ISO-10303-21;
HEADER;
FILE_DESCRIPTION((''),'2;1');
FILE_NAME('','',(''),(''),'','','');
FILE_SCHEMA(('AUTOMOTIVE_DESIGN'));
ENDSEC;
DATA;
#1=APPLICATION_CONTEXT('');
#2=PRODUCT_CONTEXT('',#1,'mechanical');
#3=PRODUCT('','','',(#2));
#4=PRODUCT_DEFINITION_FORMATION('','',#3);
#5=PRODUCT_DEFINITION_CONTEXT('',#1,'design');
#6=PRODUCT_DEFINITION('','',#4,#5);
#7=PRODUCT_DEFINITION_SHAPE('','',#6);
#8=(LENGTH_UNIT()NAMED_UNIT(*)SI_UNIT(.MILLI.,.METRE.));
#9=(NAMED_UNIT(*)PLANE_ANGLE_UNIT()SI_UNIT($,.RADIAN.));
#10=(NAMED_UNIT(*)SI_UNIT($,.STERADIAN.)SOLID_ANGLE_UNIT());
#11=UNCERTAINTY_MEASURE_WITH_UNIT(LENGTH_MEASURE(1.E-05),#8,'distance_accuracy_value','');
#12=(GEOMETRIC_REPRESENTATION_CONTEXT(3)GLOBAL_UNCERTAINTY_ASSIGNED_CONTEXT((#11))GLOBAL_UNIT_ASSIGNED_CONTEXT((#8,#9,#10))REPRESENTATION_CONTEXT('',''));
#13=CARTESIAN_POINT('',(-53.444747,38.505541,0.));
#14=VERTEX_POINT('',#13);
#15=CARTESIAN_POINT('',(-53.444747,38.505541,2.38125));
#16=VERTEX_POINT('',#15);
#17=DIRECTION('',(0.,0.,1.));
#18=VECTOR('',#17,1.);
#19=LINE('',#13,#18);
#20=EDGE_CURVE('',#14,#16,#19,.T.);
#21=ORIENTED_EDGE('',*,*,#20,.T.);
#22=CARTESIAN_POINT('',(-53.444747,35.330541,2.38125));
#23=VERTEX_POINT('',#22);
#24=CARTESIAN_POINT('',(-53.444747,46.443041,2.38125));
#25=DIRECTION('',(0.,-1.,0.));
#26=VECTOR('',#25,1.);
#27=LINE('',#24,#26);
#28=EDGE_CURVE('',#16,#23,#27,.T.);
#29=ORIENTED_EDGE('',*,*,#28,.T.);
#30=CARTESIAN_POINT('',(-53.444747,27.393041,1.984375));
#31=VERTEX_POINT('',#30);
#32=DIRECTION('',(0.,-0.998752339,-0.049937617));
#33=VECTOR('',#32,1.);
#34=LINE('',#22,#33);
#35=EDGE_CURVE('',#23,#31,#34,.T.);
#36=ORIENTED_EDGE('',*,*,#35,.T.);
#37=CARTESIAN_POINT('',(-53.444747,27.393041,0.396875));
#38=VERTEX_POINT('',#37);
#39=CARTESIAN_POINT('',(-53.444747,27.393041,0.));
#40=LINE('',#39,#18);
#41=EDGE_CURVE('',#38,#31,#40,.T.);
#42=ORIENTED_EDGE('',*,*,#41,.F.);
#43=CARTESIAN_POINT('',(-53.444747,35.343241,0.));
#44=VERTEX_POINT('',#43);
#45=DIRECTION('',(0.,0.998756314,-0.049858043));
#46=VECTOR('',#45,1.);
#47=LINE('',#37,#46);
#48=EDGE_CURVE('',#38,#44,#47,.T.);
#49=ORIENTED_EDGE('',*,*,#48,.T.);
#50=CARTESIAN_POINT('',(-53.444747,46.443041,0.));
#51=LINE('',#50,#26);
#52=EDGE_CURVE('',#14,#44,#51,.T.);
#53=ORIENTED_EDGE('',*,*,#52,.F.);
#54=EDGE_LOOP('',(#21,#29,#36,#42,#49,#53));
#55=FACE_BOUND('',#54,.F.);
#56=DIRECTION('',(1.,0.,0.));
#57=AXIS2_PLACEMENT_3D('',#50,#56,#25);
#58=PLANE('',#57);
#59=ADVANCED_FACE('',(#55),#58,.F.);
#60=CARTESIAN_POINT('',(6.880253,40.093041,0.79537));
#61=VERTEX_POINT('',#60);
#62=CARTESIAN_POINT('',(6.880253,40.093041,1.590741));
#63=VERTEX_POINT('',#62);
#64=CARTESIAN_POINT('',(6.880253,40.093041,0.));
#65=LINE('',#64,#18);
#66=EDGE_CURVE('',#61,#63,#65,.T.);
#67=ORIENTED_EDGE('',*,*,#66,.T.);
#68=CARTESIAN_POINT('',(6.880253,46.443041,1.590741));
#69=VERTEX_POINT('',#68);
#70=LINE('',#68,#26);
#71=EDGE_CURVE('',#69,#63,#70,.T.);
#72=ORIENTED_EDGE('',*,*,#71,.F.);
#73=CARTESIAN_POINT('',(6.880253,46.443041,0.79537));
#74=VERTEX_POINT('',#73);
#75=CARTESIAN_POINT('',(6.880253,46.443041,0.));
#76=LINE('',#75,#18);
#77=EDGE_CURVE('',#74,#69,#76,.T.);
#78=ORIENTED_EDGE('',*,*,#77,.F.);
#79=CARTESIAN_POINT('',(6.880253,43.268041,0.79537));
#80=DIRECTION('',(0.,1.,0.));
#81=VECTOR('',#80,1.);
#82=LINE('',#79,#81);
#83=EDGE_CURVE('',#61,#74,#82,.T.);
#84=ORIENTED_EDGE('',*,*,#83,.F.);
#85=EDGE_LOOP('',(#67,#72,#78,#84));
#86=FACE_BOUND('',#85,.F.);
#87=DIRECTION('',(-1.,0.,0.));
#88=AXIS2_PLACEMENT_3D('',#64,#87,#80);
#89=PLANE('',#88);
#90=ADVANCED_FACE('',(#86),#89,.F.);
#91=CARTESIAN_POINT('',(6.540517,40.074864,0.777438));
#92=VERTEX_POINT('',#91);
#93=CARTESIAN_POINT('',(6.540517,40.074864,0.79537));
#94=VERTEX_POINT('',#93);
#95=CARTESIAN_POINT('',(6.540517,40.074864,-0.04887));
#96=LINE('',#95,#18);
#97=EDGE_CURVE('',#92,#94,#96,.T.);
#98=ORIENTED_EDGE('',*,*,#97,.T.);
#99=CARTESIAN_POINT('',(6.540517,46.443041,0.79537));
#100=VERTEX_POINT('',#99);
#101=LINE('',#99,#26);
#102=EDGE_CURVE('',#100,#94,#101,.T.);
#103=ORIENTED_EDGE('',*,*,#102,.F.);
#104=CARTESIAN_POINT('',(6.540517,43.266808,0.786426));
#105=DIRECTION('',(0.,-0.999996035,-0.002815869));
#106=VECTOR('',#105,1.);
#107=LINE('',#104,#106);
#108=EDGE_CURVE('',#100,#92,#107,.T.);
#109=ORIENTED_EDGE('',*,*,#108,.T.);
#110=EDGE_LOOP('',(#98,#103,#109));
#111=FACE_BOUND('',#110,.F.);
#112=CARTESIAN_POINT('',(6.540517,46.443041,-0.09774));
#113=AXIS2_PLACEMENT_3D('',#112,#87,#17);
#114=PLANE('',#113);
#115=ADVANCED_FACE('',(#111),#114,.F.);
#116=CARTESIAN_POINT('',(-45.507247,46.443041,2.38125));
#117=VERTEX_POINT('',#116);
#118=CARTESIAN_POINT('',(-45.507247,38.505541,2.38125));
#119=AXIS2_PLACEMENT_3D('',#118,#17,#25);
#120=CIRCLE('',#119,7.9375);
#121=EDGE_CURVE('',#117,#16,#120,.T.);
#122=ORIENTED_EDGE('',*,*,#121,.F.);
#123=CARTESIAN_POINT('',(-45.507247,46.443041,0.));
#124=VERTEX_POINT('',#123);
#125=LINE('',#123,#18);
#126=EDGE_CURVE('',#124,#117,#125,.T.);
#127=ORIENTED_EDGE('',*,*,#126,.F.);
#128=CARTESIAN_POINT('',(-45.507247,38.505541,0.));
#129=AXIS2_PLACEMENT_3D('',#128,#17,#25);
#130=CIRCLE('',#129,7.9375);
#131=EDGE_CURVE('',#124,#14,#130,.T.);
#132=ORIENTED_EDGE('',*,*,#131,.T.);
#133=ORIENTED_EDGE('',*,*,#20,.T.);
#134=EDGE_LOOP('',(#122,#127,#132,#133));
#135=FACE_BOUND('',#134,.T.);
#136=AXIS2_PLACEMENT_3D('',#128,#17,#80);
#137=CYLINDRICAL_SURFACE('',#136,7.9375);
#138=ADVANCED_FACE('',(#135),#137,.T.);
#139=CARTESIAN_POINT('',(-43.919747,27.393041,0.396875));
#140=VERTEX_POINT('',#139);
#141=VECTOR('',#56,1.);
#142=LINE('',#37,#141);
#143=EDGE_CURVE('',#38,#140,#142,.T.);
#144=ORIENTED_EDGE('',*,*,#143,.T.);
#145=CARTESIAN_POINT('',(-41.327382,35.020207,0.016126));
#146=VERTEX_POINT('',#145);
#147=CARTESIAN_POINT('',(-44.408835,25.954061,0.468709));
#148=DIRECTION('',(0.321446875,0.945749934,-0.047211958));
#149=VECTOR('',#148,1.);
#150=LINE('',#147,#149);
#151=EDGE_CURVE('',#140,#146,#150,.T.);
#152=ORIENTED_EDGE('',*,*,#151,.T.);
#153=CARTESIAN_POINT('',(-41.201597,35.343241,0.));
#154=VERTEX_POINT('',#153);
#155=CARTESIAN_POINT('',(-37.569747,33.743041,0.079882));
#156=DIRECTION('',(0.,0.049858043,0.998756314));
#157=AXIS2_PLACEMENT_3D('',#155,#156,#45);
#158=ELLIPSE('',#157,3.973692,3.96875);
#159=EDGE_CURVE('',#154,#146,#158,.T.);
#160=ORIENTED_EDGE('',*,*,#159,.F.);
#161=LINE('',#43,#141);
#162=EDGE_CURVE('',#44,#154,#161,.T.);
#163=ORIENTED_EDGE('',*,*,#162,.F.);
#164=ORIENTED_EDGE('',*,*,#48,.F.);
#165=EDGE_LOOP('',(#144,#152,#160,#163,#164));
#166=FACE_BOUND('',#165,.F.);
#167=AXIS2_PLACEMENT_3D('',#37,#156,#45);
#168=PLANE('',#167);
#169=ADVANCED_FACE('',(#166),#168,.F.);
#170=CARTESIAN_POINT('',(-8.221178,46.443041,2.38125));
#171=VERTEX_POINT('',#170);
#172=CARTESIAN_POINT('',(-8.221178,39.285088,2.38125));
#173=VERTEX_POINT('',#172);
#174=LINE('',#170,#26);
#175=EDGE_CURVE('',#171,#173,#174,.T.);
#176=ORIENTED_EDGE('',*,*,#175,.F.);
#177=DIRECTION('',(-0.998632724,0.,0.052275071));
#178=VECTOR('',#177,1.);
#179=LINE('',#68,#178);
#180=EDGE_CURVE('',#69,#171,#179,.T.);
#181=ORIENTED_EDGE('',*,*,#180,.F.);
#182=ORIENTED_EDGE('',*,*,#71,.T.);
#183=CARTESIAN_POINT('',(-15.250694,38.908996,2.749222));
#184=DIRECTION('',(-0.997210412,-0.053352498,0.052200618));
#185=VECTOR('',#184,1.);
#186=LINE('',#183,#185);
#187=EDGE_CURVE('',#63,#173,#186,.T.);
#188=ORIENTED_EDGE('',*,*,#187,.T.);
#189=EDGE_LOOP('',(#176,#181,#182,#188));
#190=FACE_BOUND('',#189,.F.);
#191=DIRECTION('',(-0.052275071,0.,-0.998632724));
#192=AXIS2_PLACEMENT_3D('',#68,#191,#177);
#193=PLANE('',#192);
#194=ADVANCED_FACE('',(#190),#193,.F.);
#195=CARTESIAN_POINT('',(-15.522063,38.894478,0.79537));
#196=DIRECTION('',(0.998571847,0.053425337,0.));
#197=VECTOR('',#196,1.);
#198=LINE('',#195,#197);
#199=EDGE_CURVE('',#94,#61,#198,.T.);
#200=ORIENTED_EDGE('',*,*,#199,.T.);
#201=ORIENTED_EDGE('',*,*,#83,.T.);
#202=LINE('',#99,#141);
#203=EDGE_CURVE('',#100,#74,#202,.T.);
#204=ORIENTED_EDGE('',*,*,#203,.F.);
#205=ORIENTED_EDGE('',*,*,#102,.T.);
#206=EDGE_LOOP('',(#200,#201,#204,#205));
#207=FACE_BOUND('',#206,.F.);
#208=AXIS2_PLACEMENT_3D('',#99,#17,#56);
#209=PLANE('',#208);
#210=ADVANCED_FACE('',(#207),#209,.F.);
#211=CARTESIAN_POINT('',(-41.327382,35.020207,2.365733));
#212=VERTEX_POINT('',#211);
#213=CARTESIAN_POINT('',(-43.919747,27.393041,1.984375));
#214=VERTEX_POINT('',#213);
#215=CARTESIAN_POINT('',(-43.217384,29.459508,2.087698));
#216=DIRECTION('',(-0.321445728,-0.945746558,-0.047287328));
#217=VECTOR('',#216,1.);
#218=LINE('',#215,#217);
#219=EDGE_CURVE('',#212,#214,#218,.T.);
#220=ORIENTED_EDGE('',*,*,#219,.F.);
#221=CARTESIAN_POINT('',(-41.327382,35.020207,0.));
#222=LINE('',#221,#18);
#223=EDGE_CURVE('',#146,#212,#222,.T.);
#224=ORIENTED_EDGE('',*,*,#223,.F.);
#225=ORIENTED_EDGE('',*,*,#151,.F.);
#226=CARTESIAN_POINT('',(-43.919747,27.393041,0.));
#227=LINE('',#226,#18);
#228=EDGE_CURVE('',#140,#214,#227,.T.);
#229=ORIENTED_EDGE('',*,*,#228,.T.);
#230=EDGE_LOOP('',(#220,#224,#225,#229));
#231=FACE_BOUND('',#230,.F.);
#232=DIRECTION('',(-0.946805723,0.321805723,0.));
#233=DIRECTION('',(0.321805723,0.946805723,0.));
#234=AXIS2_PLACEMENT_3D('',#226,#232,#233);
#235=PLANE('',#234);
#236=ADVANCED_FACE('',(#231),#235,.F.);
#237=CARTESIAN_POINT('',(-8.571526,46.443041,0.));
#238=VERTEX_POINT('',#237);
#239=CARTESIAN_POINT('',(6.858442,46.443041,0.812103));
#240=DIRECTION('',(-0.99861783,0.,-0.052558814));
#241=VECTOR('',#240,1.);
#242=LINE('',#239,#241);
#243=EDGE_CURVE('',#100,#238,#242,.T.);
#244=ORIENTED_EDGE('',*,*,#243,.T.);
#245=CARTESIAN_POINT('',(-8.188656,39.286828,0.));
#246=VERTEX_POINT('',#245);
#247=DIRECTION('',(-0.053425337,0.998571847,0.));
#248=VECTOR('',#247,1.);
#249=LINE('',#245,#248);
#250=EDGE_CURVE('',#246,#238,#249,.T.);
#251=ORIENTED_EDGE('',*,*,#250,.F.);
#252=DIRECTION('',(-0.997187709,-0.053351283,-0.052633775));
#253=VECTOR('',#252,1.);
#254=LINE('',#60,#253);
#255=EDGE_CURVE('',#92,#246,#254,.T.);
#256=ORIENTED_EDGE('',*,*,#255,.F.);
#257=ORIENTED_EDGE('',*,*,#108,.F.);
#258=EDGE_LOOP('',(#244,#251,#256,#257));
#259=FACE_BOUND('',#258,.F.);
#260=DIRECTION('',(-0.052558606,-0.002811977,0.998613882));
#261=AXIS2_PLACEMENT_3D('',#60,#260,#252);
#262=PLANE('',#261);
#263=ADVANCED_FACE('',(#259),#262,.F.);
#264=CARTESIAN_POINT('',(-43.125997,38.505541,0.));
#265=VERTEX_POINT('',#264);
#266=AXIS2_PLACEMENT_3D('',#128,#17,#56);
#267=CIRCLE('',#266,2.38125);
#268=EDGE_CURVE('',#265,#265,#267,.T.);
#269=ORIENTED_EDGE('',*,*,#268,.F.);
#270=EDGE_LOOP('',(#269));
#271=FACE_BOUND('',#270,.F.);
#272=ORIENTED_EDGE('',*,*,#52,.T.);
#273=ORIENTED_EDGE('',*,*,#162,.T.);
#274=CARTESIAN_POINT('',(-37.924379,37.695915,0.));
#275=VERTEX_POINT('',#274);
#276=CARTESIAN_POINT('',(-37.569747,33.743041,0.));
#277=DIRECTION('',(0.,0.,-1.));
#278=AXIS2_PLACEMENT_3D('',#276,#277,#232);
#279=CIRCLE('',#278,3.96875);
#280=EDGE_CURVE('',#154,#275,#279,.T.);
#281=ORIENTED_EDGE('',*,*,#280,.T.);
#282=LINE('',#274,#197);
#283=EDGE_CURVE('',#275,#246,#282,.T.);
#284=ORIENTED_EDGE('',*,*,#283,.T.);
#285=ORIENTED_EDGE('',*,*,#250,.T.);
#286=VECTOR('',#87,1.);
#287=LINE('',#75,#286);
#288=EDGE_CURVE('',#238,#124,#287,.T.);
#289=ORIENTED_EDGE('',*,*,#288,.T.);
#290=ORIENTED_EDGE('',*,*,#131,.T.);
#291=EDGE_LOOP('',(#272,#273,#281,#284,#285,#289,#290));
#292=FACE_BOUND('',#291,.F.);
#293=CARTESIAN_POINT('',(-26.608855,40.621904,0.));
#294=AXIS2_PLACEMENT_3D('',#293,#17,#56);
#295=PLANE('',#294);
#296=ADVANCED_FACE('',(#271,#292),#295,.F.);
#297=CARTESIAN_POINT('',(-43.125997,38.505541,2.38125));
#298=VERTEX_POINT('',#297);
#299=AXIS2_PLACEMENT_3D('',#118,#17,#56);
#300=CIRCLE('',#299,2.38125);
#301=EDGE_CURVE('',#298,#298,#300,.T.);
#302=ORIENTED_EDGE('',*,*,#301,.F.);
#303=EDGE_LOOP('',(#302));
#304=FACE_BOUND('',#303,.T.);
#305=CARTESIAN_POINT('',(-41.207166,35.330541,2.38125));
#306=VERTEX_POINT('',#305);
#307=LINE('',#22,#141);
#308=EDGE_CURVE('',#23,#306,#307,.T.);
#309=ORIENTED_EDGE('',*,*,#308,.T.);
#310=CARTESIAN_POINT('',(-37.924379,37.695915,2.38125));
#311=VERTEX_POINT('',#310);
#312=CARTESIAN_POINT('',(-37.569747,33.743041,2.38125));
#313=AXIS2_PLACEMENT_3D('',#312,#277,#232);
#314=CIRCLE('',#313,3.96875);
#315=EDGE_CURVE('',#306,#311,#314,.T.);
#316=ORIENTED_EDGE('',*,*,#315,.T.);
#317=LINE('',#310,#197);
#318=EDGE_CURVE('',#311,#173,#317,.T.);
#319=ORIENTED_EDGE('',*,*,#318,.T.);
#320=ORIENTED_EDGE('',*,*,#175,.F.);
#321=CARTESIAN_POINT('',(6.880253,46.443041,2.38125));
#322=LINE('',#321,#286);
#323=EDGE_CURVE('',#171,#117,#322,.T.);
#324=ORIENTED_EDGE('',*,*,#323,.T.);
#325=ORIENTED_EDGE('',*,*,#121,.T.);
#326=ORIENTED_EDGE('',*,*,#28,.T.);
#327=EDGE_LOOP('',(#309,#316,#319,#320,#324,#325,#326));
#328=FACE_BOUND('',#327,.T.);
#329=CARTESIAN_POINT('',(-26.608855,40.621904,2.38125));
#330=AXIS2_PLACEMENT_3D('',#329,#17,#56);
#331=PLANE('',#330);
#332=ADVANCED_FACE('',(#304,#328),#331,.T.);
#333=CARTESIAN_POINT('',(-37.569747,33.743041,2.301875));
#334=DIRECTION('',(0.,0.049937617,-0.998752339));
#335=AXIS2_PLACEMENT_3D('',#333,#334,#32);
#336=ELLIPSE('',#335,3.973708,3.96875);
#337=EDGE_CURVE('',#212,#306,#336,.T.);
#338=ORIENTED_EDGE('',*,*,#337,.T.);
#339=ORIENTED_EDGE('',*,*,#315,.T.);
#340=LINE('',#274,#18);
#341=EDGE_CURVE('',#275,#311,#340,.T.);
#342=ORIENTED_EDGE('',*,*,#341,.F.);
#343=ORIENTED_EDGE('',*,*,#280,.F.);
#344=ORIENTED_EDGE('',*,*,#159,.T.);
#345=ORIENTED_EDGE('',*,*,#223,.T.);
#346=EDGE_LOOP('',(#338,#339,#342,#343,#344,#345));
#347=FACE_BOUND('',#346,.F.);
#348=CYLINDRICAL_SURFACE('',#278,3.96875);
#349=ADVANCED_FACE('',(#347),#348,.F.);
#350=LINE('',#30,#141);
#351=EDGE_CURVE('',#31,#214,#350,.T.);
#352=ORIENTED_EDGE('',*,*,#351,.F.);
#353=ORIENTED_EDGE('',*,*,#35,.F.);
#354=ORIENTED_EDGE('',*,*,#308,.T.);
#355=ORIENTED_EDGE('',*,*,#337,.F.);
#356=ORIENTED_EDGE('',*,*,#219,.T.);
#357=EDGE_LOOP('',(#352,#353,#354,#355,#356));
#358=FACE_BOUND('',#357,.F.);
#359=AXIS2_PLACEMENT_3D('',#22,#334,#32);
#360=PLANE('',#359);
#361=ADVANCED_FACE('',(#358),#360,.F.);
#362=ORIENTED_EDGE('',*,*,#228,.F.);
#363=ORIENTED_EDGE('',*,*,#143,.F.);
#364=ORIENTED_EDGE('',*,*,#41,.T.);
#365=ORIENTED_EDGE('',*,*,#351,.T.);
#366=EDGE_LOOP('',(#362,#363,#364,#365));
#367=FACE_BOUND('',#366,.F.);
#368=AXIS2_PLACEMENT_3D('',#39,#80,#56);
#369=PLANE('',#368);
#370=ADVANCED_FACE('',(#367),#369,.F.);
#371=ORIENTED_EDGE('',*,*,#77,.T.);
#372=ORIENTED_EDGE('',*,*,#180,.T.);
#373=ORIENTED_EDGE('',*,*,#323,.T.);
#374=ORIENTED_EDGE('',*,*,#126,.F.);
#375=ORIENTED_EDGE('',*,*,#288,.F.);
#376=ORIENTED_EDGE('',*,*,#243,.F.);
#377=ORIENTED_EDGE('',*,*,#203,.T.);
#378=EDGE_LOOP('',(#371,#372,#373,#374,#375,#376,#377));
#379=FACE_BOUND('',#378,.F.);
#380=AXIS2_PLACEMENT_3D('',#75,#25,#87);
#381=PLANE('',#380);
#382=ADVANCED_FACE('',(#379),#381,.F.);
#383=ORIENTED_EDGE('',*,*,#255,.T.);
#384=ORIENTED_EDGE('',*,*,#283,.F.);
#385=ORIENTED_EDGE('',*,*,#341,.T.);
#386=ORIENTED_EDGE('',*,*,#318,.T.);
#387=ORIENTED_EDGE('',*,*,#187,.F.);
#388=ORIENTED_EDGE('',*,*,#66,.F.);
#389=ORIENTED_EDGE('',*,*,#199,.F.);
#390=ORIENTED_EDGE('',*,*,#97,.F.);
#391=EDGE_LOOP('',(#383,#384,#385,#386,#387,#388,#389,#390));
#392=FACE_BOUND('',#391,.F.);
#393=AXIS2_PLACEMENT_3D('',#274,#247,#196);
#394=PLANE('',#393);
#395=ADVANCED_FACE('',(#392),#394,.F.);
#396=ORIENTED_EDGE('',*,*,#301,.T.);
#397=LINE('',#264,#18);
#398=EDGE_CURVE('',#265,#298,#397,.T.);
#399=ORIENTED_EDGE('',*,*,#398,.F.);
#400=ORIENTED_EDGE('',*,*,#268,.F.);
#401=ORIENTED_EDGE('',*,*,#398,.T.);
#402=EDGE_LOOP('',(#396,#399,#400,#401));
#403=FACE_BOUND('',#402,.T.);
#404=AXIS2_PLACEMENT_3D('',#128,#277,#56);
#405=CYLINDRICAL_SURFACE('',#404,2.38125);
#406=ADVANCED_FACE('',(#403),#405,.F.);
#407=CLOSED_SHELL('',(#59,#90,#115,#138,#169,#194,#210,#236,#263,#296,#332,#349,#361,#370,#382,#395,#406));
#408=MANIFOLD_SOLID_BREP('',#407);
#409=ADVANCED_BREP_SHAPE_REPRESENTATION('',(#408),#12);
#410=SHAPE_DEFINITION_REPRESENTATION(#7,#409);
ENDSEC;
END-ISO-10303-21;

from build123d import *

# Parameters (mm, degrees)
F0_R      = 2.38125
F1_DEPTH  = 2.38125
F2_R      = 7.9375
F4_DEPTH  = 19.051
F6_DEPTH  = 9.5648146833
F8_DEPTH  = 19.051
F10_DEPTH = 60.326


with BuildPart() as f1:
    # F0 (on Top) → F1 (new body)
    with BuildSketch(Plane.XY):
        with BuildLine():
            Line((6.8802531183, 46.4430405467), (-53.4447468817, 46.4430405467))
            Line((-53.4447468817, 46.4430405467), (-53.4447468817, 27.3930405467))
            Line((-53.4447468817, 27.3930405467), (-43.9197468817, 27.3930405467))
            Line((-43.9197468817, 27.3930405467), (-41.3273820942, 35.0202070092))
            ThreePointArc((-41.3273820942, 35.0202070092), (-40.0228140496, 36.8628863815), (-37.9243791103, 37.6959145069))
            Line((-37.9243791103, 37.6959145069), (6.8802531183, 40.0930405467))
            Line((6.8802531183, 40.0930405467), (6.8802531183, 46.4430405467))
        make_face()
        with Locations((-45.5072468817, 38.5055405467)):
            Circle(F0_R, mode=Mode.SUBTRACT)
    extrude(amount=F1_DEPTH)

    # F2
    f2_edges = [f1.edges().sort_by_distance(p)[0] for p in [
        (-53.444747, 46.443041, 1.190625),
    ]]
    fillet(f2_edges, radius=F2_R)

    # F3 (on face) → F4 (cut, through all)
    with BuildSketch(Plane(origin=(0, 46.4430405467, 0), x_dir=(-1, 0, 0), z_dir=(0, 1, 0))):
        Polygon((-7.2697603085, 1.5504802494), (-6.8802531183, 1.5907407505), (8.2211783156, 2.38125), (8.2030607001, 2.727358446), (-7.2193359956, 3.1990723219), align=None)
    extrude(amount=-F4_DEPTH, mode=Mode.SUBTRACT)

    # F5 (on face) → F6 (cut, through all)
    with BuildSketch(Plane(origin=(-2.1192870449, 39.6115494375, 0), x_dir=(0.9985718469, 0.053425337, 0), z_dir=(0.053425337, -0.9985718469, 0))):
        Polygon((9.0124112666, 0.7953703753), (-6.0780490749, 0), (9.0124112666, 0), align=None)
    extrude(amount=-F6_DEPTH, mode=Mode.SUBTRACT)

    # F7 (on face) → F8 (cut, through all)
    with BuildSketch(Plane(origin=(0, 46.4430405467, 0), x_dir=(-1, 0, 0), z_dir=(0, 1, 0))):
        Polygon((-6.5405170331, 0.7953703753), (-6.8802531183, 0.7953703753), (-6.9836541079, 0.7953703753), (-6.9836541079, -0.0977396412), (-6.5405170331, -0.0977396412), align=None)
    extrude(amount=-F8_DEPTH, mode=Mode.SUBTRACT)

    # F9 (on face) → F10 (cut, through all)
    with BuildSketch(Plane(origin=(-53.4447468817, 0, 0), x_dir=(0, -1, 0), z_dir=(-1, 0, 0))):
        Polygon((-35.3305405467, 2.38125), (-27.3930405467, 1.984375), (-26.6849351877, 1.984375), (-26.7145372927, 2.7254258748), align=None)
        Polygon((-26.9428193569, 0.396875), (-27.3930405467, 0.396875), (-35.3432405467, 0), (-35.0132025778, -0.3093605337), (-26.8219634891, -0.3093605337), align=None)
    extrude(amount=-F10_DEPTH, mode=Mode.SUBTRACT)


solid = f1.part
